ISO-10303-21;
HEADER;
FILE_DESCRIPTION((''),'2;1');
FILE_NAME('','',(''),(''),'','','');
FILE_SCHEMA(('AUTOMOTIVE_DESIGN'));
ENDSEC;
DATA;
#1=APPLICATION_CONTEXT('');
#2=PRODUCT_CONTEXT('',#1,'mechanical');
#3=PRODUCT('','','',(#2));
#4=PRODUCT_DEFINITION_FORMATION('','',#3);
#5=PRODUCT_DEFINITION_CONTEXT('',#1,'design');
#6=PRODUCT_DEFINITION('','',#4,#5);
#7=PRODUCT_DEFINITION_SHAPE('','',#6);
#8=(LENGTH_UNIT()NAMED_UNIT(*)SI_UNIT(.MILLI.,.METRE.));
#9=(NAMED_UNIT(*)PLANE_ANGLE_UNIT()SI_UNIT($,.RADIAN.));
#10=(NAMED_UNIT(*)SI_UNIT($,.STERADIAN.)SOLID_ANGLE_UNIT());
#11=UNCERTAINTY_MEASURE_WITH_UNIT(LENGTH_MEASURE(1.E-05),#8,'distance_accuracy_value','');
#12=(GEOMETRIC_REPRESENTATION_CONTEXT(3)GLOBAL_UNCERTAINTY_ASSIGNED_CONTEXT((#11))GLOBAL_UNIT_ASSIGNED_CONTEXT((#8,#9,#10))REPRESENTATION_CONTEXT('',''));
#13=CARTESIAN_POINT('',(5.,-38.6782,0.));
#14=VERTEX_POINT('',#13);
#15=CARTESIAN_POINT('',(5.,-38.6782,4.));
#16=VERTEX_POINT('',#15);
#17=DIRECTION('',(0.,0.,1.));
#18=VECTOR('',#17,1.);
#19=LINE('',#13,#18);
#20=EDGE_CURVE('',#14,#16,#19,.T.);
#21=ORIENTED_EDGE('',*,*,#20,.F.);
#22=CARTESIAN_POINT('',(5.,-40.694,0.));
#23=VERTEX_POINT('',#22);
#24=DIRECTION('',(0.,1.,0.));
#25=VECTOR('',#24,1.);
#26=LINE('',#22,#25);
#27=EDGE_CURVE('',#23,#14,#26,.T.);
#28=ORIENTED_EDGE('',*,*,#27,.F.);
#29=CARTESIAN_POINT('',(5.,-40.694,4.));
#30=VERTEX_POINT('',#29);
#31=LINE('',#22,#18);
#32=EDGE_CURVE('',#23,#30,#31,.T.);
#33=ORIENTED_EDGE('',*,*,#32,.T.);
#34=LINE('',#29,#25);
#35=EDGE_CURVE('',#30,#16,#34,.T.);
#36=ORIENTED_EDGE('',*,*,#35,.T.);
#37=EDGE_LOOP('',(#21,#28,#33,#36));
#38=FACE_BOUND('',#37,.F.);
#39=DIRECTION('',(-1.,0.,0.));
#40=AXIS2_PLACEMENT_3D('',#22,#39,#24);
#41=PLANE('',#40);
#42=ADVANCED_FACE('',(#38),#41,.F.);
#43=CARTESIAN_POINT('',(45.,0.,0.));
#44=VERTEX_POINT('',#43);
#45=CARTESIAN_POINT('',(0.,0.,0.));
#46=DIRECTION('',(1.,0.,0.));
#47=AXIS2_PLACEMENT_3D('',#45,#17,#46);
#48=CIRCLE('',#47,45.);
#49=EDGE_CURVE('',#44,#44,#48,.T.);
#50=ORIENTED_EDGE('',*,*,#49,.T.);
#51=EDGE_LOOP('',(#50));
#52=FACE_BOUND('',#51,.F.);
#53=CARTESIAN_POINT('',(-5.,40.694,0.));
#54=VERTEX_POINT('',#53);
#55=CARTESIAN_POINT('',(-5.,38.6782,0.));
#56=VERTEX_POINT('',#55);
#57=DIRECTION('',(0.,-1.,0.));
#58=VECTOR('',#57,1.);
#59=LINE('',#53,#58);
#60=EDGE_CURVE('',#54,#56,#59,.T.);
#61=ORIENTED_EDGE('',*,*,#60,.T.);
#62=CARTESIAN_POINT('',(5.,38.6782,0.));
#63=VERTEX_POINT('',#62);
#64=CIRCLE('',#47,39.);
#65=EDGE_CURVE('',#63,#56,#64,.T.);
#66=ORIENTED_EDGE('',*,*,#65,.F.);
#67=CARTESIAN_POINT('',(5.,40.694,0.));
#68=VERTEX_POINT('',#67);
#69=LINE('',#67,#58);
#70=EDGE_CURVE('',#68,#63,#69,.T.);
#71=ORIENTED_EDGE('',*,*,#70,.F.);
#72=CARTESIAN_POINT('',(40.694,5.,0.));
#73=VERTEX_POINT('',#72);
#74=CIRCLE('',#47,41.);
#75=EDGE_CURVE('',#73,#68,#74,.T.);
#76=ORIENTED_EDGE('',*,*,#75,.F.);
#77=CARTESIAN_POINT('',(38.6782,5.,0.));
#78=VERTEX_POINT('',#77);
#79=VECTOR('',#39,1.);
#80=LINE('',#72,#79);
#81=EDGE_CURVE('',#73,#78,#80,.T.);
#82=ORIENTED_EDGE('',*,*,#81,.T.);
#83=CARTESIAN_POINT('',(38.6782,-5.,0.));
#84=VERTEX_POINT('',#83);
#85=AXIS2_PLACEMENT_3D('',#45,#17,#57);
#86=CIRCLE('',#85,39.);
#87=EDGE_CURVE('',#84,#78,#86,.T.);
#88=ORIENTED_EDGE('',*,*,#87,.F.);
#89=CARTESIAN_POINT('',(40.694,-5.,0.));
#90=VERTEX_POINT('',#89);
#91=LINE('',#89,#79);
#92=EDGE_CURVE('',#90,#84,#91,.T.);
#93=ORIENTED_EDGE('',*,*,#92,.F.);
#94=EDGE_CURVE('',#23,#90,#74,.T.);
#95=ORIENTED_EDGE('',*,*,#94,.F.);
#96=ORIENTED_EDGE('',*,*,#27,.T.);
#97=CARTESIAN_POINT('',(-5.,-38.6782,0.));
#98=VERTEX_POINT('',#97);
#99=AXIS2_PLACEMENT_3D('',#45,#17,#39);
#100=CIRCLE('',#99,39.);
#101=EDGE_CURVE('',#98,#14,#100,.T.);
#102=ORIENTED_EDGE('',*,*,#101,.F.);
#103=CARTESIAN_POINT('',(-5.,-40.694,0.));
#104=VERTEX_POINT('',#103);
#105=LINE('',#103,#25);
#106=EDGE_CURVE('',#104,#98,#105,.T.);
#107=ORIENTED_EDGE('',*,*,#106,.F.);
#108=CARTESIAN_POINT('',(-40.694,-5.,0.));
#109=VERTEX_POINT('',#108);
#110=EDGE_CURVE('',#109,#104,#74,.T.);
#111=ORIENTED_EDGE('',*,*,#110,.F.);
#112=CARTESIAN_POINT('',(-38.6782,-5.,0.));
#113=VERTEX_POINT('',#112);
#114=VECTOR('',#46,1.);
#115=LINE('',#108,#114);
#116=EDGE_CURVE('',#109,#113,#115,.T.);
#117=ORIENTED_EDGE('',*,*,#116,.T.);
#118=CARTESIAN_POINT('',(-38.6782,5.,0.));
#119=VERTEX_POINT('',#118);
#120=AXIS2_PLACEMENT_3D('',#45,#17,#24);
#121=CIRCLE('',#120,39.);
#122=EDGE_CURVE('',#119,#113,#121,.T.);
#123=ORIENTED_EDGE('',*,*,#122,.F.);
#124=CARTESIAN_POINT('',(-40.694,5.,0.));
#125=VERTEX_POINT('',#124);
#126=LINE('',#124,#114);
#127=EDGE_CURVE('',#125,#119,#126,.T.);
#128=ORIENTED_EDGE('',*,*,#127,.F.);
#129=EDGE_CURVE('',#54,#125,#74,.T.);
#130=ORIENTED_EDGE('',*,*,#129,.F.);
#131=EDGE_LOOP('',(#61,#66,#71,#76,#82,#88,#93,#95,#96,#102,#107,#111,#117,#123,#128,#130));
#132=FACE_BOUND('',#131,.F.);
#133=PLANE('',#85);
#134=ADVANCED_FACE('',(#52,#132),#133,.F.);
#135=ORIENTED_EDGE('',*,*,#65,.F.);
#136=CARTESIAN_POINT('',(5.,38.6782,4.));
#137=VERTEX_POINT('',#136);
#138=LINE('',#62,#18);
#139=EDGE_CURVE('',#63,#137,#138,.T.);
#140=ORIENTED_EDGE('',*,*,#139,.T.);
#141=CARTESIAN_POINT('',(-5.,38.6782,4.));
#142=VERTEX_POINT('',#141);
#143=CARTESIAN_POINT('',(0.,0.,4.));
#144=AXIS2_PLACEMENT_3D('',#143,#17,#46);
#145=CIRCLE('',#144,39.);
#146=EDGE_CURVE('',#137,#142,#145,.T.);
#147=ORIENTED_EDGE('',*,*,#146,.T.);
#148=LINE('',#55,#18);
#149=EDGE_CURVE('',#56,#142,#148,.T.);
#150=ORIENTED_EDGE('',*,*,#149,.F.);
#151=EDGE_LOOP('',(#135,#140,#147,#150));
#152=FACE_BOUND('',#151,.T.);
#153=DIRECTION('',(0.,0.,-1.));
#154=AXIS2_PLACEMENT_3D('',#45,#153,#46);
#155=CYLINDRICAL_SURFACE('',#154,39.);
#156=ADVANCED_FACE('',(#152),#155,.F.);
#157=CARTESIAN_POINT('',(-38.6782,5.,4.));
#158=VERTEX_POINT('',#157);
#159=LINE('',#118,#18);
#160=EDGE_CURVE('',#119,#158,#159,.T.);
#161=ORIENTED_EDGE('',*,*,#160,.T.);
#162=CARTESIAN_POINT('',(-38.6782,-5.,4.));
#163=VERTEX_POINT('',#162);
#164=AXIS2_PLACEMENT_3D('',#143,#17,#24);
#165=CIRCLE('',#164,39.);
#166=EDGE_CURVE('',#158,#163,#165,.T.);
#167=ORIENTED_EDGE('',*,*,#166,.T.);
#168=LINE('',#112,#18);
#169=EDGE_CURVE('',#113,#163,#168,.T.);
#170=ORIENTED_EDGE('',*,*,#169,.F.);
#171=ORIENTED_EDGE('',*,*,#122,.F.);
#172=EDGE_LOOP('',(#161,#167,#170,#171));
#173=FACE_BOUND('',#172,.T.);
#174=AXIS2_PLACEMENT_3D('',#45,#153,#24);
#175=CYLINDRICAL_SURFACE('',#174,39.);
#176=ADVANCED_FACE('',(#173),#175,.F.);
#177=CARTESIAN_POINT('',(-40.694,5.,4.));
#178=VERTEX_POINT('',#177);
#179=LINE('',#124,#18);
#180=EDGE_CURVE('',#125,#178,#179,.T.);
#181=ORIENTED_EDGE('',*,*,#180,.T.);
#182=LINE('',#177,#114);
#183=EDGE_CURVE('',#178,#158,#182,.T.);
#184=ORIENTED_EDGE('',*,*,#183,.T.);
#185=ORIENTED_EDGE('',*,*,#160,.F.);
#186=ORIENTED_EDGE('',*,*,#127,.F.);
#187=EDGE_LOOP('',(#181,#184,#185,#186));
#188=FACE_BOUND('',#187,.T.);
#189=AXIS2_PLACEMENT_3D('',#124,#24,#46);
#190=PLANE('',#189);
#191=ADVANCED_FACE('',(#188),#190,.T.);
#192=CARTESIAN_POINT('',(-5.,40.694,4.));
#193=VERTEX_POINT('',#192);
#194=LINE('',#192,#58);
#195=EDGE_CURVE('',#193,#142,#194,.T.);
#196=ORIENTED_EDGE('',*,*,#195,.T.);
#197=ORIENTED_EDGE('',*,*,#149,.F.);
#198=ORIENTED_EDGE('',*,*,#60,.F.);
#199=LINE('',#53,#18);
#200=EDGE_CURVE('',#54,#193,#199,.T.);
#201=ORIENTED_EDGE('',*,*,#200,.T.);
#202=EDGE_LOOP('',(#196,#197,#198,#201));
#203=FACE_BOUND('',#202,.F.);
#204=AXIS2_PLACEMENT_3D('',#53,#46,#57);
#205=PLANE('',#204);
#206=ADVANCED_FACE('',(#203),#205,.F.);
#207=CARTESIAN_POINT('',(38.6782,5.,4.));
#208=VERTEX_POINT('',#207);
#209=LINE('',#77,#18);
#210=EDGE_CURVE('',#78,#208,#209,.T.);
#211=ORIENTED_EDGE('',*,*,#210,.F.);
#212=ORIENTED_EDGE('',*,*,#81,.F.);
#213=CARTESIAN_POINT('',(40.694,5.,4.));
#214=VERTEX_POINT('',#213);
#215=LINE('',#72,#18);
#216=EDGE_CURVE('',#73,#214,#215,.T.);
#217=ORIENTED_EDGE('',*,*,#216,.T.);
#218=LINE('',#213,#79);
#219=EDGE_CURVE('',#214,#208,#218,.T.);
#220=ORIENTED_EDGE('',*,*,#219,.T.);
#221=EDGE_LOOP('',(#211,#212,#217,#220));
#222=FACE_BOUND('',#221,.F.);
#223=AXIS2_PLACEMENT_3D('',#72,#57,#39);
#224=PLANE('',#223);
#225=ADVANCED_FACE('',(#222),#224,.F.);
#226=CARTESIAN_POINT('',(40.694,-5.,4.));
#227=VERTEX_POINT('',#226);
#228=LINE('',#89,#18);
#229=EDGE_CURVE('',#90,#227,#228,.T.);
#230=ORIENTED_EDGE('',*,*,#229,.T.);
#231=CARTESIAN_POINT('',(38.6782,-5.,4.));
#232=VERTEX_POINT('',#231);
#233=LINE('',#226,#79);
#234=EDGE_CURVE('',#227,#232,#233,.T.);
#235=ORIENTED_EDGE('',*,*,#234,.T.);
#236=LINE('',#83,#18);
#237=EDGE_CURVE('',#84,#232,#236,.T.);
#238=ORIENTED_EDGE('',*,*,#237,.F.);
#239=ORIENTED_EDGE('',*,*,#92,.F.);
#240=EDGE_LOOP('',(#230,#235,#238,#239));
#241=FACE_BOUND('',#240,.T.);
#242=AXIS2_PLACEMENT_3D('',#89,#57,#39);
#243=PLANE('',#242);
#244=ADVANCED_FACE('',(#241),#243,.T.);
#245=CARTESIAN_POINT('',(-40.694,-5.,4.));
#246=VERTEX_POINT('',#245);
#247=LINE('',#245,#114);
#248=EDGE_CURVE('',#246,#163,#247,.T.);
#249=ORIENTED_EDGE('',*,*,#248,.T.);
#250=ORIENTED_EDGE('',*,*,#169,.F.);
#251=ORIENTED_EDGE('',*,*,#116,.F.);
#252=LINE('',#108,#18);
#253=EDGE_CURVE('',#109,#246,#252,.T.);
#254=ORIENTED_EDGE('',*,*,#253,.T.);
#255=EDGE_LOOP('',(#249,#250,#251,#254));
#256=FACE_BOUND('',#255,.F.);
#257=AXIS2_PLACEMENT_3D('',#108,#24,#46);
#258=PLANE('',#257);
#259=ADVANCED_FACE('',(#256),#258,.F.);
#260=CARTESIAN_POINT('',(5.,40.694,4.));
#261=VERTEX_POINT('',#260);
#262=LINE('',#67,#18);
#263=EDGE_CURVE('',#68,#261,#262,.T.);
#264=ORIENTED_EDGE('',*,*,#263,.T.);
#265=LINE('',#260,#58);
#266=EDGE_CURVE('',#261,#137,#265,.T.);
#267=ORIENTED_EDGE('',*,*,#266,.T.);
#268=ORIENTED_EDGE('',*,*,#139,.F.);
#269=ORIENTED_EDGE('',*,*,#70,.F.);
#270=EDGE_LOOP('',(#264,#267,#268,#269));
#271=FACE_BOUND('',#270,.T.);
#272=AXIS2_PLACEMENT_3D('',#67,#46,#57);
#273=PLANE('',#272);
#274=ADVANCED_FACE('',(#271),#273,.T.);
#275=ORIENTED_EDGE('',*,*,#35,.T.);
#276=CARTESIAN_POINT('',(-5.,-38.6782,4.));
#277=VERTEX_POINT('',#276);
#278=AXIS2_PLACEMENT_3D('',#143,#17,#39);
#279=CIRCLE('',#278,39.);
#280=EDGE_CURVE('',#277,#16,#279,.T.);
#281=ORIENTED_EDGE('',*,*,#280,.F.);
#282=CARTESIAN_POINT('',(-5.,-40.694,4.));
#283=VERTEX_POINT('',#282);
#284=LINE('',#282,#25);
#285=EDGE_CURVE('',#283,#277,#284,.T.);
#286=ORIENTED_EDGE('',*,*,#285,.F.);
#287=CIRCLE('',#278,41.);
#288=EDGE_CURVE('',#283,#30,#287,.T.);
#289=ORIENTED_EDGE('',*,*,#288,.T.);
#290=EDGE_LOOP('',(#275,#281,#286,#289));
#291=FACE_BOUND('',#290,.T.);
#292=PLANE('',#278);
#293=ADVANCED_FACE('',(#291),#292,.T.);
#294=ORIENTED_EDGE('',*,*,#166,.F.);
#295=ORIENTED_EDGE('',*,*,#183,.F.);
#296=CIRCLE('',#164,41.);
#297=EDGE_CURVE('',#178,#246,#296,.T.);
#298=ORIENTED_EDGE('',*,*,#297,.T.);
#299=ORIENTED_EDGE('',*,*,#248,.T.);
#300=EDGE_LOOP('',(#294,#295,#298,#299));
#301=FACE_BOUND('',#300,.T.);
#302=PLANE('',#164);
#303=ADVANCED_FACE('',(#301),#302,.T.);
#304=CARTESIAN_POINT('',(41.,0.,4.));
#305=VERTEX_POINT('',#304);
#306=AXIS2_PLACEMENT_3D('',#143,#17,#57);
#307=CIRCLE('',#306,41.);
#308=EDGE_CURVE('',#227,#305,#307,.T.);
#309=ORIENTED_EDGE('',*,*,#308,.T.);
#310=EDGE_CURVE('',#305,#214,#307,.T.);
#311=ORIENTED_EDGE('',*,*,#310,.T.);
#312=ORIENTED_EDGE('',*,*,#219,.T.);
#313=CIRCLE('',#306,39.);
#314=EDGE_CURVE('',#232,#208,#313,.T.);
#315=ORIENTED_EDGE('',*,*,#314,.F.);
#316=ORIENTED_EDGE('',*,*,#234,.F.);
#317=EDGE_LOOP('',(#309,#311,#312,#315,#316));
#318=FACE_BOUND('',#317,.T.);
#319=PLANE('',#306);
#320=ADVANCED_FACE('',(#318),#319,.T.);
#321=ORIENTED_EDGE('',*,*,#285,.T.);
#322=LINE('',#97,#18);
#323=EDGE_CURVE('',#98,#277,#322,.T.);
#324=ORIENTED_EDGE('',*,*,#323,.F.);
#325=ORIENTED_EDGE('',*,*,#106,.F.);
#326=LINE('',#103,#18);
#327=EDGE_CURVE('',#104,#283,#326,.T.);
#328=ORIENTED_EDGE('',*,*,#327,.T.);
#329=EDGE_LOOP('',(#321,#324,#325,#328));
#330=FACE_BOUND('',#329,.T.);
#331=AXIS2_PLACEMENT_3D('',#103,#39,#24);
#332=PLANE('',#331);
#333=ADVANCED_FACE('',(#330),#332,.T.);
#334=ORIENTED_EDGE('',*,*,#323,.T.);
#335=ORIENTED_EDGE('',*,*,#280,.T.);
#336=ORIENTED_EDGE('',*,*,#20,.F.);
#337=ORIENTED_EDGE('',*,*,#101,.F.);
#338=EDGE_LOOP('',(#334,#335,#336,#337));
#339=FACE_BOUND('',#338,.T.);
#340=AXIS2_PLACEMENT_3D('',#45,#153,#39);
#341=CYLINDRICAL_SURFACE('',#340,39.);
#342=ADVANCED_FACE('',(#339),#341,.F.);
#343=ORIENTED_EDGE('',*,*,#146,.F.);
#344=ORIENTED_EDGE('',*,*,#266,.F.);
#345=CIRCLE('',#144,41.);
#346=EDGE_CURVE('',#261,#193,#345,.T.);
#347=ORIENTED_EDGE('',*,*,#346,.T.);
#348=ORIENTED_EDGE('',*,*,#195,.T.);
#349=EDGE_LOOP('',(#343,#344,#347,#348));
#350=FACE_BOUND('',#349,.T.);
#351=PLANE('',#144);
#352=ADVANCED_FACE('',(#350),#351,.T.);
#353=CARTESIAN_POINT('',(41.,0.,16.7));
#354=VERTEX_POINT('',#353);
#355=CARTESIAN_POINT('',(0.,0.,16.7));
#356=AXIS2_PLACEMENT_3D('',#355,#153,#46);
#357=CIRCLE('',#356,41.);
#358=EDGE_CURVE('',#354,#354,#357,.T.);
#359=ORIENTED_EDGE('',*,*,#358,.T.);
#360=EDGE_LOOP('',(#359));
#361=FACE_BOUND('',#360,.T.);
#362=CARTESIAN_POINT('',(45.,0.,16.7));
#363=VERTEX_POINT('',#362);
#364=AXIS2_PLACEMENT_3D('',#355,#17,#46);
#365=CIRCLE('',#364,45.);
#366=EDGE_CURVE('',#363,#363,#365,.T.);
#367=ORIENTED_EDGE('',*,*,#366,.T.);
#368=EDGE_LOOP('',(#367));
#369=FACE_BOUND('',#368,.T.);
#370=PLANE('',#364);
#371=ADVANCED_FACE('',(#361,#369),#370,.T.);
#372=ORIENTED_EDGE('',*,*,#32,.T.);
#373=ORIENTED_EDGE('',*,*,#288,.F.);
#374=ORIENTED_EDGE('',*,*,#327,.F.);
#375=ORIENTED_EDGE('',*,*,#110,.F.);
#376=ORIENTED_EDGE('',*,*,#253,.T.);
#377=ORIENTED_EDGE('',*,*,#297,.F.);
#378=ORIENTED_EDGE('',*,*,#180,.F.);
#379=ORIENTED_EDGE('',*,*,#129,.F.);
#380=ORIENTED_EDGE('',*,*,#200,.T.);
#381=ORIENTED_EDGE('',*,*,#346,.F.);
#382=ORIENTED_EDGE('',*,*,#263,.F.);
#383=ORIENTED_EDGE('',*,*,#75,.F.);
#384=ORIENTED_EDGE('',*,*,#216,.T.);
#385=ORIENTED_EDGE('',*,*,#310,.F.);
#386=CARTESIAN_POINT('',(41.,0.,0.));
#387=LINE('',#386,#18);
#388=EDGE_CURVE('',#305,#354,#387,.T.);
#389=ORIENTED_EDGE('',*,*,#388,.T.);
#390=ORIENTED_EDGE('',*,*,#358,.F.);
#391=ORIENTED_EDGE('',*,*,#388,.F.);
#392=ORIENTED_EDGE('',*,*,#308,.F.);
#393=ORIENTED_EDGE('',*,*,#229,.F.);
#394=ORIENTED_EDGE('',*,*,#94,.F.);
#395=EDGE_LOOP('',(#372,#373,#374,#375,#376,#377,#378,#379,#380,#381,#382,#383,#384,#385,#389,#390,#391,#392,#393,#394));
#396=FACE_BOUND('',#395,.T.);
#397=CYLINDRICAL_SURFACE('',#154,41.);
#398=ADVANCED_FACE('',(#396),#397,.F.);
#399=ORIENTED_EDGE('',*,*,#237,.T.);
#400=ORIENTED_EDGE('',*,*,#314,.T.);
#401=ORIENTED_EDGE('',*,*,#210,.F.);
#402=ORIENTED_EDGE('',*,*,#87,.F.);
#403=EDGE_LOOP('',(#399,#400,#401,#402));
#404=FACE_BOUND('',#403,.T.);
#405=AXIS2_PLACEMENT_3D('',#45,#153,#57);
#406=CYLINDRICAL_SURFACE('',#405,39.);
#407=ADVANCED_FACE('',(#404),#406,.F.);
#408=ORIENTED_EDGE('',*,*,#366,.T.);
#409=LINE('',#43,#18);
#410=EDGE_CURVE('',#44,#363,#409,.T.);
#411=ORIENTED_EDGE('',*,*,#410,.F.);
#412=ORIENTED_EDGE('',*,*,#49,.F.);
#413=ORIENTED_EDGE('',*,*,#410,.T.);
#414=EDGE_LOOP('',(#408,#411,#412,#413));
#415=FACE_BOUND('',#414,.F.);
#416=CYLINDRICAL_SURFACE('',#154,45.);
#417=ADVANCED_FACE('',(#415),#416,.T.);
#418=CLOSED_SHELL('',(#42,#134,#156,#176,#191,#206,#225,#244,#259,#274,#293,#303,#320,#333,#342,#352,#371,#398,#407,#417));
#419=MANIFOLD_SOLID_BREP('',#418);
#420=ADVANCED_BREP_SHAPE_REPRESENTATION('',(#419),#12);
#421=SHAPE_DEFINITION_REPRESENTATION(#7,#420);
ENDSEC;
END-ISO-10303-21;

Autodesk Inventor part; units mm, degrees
ref_plane "YZ Plane" through (0, 0, 0) normal (1, 0, 0) x (0, 1, 0)
ref_plane "XZ Plane" through (0, 0, 0) normal (0, 1, 0) x (-1, 0, 0)
ref_plane "XY Plane" through (0, 0, 0) normal (0, 0, 1) x (1, 0, 0)
sketch "Sketch1" plane through (0, 0, 0) normal (0, 0, 1) x (1, 0, 0)
  circle A0 centre (0, 0) radius 16.5
  circle A1 centre (0, 0) radius 22
  circle A2 centre (0, 0) radius 41
  circle A3 centre (0, 0) radius 45
  line L0 (0, 0) -> (-82.1679, 0) construction
  line L1 (0, 0) -> (52.3587, 0) construction
  line L2 (0, 0) -> (0, 55.2671) construction
  line L3 (0, 0) -> (0, -51.5979) construction
  circle A4 centre (0, 0) radius 39
  line L4 (5, 40.694) -> (5, 38.6782)
  line L5 (-5, 40.694) -> (-5, 38.6782)
  arc A5 (5, 40.694) -> (-5, 40.694) centre (0, 0) ccw
  arc A6 (5, 38.6782) -> (-5, 38.6782) centre (0, 0) ccw
  dimension "d2" = 82
  dimension "d15" = 78
  dimension "d0" = 33
  dimension "d1" = 44
  dimension "d3" = 90
  dimension "d16" = 5
extrude "outer" add sketch "Sketch1" along normal blind 16.7 contours A3
extrude "inner" [suppressed]
extrude "Extrusion4" add sketch "Sketch1" along normal blind 4 contours L4 A4 L5 A2 picked at (3.8902, 39.4454)
pattern_circular "Circular Pattern1" count 4 over 360 about axis through (0, 0, -10) along (0, 0, 1) of "Extrusion4"
equation "\"d15\" = PCB_OD"
equation "\"d0\" = skeleton_OD"
equation "\"d1\" = PCB_ID"
equation "\"d3\" = carbon_OD"
equation "\"PCB_OD\" = 78"
equation "\"PCB_ID\" = 44"
equation "\"skeleton_OD\" = 33"
equation "\"carbon_OD\" = 90"
properties part number "hall_case"
